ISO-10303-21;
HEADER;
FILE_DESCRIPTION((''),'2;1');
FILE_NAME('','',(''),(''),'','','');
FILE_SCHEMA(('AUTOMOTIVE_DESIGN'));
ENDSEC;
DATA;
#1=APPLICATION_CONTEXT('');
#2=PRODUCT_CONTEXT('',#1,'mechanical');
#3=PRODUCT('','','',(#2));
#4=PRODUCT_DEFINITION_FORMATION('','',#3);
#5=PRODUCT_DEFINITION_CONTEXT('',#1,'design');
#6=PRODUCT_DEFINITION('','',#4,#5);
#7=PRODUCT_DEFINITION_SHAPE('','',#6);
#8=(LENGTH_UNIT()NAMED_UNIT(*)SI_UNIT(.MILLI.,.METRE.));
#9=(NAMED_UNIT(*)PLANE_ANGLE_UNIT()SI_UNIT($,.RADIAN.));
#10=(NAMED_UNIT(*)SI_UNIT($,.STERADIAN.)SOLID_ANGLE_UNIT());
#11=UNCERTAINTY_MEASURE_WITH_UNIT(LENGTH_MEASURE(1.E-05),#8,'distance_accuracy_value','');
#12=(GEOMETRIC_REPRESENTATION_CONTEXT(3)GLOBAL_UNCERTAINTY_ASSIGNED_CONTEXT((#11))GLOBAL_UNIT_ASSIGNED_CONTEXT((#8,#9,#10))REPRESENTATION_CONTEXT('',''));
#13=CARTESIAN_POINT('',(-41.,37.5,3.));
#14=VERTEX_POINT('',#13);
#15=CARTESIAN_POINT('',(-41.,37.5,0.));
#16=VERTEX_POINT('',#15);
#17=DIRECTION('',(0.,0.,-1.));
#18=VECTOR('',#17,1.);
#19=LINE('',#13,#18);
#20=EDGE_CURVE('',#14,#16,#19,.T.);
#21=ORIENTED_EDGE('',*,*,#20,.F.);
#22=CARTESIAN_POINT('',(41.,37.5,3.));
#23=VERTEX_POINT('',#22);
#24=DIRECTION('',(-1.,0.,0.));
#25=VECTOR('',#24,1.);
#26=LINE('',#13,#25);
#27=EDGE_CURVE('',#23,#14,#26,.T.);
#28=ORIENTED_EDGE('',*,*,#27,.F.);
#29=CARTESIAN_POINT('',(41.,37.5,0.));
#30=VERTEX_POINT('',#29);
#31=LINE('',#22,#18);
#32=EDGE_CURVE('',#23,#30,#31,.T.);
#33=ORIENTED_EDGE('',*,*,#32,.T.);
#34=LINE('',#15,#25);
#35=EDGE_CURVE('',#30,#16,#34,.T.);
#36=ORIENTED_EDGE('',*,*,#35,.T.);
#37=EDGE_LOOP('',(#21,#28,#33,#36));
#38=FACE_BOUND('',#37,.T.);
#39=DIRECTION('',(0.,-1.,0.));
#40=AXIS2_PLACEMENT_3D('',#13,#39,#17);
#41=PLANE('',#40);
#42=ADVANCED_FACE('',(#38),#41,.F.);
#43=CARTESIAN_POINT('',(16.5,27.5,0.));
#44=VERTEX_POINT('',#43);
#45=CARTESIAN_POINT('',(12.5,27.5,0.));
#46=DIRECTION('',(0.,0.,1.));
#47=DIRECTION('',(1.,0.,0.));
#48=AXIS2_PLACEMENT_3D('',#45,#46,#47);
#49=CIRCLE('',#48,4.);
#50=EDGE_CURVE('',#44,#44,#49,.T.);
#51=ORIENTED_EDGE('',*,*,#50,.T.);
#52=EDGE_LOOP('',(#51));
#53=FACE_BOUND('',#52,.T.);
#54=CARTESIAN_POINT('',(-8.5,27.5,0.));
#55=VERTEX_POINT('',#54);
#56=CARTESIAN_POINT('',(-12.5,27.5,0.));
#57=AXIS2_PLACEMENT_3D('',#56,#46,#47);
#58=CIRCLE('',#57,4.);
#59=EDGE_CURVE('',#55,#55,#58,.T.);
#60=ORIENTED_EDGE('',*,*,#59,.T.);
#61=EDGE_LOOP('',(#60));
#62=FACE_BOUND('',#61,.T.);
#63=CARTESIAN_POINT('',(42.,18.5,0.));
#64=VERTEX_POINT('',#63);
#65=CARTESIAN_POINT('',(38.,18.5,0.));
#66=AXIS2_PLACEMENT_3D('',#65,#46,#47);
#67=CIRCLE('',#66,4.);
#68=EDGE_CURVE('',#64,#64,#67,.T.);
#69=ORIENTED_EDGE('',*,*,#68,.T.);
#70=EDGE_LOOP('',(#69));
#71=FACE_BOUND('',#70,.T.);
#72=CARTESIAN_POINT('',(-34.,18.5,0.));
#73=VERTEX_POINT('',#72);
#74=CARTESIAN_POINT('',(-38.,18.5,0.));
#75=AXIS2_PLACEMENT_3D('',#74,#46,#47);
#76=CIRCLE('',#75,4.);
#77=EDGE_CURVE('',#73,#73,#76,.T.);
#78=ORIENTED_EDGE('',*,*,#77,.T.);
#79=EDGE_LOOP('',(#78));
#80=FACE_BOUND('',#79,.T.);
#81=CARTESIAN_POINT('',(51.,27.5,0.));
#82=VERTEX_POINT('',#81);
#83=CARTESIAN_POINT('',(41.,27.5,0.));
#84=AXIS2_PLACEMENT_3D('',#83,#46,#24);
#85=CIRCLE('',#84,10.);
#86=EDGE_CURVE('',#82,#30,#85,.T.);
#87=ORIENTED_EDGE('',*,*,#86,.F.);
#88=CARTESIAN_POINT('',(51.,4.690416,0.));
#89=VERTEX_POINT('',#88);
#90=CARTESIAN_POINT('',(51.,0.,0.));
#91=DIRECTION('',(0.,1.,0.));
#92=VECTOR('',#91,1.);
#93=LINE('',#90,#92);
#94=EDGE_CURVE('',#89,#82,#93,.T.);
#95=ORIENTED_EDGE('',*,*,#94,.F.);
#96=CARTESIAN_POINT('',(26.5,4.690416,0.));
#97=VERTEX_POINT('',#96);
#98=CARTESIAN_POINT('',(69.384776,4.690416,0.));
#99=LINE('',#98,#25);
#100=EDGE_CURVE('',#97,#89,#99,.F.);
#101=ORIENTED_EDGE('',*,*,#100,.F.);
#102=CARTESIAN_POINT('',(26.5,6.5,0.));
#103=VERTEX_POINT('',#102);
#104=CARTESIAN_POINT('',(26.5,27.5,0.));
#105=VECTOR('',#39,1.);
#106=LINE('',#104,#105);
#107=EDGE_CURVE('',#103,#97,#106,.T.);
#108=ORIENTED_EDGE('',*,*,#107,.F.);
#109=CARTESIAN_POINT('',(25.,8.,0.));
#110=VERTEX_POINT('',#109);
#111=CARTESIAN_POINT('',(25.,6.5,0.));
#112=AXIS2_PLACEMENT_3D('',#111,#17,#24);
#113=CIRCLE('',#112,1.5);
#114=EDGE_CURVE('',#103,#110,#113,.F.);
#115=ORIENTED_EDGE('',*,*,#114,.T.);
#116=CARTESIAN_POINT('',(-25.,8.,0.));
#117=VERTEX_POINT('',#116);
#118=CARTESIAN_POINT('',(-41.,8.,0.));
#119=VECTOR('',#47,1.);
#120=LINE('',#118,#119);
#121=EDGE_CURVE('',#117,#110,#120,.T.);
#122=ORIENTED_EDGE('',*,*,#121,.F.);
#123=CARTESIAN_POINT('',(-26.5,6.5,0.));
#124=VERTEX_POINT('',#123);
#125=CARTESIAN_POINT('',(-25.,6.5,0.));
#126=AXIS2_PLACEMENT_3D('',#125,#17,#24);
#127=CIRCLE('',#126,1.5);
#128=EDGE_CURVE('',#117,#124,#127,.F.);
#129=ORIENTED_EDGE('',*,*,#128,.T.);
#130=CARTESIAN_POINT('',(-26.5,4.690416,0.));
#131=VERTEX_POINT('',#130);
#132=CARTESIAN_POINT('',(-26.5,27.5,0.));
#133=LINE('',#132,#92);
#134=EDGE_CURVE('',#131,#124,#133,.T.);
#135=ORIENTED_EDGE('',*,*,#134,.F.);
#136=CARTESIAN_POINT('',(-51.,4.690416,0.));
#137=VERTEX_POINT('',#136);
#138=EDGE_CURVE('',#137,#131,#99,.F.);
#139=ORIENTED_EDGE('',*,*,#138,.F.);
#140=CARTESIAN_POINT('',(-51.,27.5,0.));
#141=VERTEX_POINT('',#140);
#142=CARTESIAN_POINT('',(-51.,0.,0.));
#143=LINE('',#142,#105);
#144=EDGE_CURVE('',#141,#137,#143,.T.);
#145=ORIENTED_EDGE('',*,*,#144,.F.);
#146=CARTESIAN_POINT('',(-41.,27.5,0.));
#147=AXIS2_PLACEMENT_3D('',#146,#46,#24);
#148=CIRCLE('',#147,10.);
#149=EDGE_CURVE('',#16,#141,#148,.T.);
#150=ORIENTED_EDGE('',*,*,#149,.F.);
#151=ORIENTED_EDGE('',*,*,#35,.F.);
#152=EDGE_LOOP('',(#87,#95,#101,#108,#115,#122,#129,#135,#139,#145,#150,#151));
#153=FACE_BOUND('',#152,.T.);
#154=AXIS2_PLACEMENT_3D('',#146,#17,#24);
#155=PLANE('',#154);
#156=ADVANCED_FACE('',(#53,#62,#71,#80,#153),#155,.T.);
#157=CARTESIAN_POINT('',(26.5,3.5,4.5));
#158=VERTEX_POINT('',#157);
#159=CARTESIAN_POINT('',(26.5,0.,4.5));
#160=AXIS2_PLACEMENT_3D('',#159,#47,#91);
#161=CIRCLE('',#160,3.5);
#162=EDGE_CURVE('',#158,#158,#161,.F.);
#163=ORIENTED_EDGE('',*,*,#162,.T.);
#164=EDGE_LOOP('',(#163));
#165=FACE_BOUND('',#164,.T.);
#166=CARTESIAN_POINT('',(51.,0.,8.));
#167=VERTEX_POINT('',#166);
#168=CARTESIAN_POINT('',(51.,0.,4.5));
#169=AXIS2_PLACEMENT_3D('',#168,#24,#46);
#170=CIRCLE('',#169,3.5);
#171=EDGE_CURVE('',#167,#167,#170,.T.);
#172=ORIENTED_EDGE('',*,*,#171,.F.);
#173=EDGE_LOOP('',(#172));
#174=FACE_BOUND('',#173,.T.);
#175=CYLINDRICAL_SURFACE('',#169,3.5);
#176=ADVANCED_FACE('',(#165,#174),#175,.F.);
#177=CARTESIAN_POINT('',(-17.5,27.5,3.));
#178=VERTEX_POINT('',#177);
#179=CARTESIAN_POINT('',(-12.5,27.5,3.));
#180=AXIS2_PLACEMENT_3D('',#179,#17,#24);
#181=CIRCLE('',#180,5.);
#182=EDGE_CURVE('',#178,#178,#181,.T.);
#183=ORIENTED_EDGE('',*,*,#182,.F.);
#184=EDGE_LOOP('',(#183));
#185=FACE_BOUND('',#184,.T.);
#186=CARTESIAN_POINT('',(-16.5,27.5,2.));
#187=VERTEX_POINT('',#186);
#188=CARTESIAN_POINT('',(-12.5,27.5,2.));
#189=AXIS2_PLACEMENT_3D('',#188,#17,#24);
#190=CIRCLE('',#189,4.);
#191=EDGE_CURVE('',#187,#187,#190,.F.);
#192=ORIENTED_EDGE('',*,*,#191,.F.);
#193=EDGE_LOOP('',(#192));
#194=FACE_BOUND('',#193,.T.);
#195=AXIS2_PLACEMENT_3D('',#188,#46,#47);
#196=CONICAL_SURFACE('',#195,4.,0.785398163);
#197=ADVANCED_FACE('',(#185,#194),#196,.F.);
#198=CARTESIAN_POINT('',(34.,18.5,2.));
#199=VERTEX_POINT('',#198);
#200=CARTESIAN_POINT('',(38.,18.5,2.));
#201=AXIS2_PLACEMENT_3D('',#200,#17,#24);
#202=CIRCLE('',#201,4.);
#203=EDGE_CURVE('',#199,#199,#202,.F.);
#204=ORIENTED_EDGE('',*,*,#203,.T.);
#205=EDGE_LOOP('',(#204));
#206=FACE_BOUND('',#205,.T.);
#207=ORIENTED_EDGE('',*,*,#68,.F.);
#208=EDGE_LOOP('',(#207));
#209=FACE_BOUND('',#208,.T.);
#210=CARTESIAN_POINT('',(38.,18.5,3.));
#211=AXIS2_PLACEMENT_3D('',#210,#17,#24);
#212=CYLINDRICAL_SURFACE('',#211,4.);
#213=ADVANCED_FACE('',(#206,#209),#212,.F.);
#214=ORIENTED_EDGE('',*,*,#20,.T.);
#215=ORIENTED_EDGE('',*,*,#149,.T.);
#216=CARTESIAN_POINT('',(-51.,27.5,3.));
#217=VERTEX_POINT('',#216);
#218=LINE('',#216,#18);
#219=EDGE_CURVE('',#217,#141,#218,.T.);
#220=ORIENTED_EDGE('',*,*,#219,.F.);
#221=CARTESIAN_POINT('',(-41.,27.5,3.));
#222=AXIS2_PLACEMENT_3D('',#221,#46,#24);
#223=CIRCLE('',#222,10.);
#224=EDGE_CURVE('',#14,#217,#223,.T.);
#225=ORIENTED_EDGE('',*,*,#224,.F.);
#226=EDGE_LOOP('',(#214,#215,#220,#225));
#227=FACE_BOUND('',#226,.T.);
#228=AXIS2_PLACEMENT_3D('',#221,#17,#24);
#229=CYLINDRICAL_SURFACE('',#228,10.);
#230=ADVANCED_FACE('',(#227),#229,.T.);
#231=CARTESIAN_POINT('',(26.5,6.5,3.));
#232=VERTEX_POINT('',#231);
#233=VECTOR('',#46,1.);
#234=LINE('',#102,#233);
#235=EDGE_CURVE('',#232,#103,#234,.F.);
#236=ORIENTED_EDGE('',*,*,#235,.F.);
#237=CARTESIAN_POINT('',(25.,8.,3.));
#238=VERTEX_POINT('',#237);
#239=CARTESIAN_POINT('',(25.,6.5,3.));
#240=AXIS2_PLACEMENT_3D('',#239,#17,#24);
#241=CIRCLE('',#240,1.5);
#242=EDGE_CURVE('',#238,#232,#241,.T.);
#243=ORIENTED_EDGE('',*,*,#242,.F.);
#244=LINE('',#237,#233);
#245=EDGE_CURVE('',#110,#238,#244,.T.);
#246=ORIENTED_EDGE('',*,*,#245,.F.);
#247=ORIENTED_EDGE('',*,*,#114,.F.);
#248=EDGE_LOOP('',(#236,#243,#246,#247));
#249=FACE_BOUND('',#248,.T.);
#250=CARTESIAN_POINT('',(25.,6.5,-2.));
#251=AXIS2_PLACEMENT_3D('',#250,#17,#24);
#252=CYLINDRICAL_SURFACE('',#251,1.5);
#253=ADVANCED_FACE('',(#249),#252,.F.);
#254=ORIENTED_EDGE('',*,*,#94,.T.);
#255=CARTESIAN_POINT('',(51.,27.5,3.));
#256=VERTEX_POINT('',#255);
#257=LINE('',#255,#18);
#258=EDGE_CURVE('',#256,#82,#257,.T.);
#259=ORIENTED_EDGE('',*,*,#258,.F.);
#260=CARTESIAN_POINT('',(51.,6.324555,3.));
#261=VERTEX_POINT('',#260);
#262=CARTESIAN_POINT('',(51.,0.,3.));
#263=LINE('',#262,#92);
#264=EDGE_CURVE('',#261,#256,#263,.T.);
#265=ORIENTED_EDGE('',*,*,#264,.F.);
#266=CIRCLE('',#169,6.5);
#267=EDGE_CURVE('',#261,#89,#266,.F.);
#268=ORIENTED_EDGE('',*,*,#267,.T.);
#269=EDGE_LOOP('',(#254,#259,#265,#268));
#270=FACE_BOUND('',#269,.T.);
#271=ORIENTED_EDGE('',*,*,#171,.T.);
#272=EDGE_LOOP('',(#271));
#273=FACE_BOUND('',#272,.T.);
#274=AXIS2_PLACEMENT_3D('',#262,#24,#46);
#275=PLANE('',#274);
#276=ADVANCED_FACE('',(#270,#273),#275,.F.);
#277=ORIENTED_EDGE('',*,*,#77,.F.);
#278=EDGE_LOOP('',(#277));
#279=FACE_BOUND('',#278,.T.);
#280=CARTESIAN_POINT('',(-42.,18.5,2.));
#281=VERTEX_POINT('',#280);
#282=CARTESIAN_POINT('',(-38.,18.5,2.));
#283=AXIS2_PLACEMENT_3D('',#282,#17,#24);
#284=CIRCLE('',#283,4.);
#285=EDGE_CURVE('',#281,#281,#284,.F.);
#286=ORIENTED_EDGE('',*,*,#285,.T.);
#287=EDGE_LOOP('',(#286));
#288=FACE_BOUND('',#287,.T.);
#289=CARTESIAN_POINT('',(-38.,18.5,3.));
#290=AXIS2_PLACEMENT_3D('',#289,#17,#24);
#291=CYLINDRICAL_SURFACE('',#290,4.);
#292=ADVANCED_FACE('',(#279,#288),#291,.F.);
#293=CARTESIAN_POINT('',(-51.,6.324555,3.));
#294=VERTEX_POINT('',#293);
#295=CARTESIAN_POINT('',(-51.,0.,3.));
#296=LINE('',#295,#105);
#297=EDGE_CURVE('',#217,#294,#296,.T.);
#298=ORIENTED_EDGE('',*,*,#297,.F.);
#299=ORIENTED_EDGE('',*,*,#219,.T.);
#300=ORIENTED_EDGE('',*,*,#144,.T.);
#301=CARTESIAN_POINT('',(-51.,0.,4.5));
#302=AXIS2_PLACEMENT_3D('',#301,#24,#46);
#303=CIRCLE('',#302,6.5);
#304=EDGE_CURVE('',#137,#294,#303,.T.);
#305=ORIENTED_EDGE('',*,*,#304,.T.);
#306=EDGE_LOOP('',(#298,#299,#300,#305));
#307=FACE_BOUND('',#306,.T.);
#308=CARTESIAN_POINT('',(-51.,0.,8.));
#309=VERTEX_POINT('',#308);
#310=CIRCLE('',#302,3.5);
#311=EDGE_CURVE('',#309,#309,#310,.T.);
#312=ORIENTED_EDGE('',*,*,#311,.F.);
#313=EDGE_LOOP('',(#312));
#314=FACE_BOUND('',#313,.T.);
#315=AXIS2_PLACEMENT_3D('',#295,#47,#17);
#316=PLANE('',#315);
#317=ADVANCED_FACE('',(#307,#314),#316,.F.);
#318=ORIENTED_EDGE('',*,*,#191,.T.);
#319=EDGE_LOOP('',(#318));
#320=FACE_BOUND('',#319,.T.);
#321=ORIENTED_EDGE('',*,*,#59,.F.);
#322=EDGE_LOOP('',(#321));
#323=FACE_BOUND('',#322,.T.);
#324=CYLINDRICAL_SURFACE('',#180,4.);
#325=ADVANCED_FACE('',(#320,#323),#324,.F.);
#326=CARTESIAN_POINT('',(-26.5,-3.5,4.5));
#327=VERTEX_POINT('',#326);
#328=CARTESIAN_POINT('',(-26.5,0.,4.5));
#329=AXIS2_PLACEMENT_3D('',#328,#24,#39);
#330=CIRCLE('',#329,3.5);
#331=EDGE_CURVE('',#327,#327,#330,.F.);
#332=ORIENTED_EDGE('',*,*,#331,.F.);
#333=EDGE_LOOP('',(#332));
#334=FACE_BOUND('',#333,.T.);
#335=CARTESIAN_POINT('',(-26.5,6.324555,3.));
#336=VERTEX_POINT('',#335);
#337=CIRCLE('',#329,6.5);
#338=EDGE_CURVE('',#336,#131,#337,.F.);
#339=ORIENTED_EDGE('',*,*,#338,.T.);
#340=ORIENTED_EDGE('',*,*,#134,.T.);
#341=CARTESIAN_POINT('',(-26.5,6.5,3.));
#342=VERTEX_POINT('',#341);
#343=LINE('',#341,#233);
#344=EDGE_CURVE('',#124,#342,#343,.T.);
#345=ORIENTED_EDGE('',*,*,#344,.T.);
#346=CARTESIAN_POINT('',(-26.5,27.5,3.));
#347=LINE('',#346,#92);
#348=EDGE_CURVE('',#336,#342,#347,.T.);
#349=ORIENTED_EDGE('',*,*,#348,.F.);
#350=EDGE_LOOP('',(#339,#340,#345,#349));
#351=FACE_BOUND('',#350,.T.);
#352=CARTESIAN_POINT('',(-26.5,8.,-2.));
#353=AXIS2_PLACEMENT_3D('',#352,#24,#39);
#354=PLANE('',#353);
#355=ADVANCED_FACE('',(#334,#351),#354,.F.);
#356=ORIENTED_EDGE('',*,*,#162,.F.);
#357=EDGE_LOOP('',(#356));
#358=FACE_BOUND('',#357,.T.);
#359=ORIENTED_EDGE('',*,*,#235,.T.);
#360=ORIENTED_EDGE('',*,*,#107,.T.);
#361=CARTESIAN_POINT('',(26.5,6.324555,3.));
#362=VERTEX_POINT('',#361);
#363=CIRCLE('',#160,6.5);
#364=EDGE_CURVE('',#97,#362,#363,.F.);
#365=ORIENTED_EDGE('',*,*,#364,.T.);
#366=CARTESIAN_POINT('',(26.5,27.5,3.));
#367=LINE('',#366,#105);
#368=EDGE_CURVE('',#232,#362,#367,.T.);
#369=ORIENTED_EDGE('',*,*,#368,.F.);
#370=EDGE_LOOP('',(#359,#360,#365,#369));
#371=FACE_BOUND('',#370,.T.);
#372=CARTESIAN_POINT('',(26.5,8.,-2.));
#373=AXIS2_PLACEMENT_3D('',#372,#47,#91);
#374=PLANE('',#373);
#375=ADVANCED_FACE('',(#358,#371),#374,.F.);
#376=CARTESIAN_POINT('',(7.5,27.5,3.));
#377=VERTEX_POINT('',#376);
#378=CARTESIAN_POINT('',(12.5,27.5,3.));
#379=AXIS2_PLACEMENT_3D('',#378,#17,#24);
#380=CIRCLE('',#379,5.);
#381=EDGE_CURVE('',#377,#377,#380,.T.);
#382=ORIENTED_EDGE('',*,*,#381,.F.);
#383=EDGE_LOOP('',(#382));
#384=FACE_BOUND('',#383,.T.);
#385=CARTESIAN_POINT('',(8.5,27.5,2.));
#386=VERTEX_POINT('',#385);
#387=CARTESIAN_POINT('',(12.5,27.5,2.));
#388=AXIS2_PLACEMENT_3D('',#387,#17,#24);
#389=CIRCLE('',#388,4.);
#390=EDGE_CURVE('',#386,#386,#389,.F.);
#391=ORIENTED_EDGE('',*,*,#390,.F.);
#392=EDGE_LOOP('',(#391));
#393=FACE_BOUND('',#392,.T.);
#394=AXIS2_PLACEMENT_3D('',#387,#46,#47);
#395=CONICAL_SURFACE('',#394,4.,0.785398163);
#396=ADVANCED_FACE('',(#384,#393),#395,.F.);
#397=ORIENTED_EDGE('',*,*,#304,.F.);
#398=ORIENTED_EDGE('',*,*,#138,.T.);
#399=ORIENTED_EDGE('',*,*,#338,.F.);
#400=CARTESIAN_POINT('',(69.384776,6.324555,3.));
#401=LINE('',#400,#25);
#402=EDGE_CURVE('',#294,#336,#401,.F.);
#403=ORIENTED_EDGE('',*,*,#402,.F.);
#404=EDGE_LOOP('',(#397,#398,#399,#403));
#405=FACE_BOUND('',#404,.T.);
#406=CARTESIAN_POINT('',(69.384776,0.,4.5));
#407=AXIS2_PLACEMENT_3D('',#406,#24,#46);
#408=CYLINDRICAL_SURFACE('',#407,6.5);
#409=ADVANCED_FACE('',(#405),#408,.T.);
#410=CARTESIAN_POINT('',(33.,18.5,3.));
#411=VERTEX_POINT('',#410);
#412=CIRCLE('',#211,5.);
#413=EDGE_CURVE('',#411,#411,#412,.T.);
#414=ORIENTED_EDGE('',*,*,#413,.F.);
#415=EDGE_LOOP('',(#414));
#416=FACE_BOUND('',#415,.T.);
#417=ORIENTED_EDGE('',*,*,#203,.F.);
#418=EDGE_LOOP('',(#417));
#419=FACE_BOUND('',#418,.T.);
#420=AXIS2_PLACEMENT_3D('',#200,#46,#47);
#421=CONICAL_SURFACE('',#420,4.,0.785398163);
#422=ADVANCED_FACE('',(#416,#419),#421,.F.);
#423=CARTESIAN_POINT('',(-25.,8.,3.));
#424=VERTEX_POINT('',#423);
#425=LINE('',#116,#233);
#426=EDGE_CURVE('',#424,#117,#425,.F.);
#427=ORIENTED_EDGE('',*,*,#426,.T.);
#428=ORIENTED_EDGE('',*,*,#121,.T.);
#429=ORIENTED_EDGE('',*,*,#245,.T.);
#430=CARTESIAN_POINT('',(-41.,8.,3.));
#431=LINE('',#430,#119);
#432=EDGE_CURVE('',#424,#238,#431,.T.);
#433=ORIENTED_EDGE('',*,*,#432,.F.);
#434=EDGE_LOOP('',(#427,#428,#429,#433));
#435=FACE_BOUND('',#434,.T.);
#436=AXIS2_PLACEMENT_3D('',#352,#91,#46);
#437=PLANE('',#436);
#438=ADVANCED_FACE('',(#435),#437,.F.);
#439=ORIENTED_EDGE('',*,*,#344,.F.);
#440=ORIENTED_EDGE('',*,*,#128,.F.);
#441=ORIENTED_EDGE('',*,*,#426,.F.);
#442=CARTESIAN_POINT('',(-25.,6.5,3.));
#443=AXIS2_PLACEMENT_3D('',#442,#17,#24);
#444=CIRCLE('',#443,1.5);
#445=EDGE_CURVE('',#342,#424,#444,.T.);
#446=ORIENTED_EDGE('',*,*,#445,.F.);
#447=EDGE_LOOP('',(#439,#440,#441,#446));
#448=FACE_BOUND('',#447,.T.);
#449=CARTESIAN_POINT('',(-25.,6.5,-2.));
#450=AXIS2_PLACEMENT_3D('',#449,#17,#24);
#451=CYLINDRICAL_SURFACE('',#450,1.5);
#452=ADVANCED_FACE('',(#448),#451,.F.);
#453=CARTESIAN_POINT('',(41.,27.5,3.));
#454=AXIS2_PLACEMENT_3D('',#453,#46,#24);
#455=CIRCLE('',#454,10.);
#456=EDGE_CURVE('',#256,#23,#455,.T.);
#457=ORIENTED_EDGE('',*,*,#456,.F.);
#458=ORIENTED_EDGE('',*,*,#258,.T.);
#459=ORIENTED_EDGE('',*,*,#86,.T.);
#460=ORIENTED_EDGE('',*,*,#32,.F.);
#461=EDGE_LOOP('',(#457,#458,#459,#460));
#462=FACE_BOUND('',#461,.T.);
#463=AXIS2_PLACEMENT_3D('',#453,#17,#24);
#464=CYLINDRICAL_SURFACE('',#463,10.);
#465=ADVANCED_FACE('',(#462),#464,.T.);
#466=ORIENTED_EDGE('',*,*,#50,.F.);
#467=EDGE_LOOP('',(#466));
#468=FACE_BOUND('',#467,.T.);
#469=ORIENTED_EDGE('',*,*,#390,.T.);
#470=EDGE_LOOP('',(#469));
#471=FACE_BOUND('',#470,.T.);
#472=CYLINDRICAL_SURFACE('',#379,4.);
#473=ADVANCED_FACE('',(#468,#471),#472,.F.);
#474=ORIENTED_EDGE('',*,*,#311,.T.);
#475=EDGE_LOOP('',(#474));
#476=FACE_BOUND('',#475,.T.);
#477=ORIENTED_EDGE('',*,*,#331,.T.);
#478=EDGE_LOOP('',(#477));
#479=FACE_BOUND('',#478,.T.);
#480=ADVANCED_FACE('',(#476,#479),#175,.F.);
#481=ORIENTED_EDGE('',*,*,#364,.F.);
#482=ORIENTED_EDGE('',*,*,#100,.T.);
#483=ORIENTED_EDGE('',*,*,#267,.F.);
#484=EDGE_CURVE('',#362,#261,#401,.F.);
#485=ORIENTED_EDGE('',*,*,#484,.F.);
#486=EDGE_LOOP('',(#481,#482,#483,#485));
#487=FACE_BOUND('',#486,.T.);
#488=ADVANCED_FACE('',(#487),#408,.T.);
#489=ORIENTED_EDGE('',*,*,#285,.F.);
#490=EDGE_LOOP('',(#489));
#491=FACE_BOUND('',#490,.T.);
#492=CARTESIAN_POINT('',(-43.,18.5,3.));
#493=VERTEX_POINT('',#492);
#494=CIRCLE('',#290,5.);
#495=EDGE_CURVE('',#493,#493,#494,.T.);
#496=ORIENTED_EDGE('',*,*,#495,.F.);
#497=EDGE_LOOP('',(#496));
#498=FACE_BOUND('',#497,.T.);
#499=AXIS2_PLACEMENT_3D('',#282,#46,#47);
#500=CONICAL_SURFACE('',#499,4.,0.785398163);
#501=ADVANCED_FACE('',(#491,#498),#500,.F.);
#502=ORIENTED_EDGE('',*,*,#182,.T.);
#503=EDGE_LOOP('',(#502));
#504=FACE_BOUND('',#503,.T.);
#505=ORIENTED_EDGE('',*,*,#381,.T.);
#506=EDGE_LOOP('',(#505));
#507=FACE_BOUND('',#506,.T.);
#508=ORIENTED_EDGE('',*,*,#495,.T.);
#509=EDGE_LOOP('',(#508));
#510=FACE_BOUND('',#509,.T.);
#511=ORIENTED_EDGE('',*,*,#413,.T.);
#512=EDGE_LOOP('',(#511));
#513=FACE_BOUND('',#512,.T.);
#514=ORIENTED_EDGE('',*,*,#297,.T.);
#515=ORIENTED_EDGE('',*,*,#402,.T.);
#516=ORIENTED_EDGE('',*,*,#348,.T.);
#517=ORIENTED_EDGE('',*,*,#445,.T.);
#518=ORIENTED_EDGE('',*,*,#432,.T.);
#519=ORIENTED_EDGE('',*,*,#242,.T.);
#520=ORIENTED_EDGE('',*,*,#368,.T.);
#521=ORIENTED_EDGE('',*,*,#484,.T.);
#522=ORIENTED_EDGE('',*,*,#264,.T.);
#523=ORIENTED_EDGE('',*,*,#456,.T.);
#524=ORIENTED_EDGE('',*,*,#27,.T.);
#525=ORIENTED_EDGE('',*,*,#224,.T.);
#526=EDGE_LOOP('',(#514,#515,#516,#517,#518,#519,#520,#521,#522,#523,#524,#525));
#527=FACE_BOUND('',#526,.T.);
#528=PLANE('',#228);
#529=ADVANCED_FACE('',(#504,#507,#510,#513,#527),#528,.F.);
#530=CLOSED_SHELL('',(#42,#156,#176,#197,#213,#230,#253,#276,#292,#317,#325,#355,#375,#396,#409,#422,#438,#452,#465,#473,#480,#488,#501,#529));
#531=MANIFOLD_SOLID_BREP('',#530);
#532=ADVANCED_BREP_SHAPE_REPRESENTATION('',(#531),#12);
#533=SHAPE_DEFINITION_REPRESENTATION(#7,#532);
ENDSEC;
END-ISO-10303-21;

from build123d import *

# Parameters (mm, degrees)
SKETCH1_R               = 4
BOSS_EXTRUDE1_DEPTH     = 3
SKETCH2_R               = 6.5
BOSS_EXTRUDE2_DEPTH     = 102
SKETCH3_R               = 3.5
CUT_EXTRUDE1_DEPTH      = 110.230261375
CUT_EXTRUDE2_DEPTH      = 64.806347647
CUT_EXTRUDE2_DEPTH_BACK = 64.806347647
SKETCH4_W               = 53
SKETCH4_H               = 14.5
FILLET1_R               = 1.5
CHAMFER1_SIZE           = 1


with BuildPart() as part:
    # Sketch1 → Boss-Extrude1 (new body)
    with BuildSketch(Plane.XY):
        with BuildLine():
            Line((-51, 0), (51, 0))
            Line((51, 0), (51, 27.5))
            ThreePointArc((51, 27.5), (48.071067812, 34.571067812), (41, 37.5))
            Line((41, 37.5), (-41, 37.5))
            ThreePointArc((-41, 37.5), (-48.071067812, 34.571067812), (-51, 27.5))
            Line((-51, 27.5), (-51, 0))
        make_face()
        with Locations((-38, 18.5)):
            Circle(SKETCH1_R, mode=Mode.SUBTRACT)
        with Locations((38, 18.5)):
            Circle(SKETCH1_R, mode=Mode.SUBTRACT)
        with Locations((-12.5, 27.5)):
            Circle(SKETCH1_R, mode=Mode.SUBTRACT)
        with Locations((12.5, 27.5)):
            Circle(SKETCH1_R, mode=Mode.SUBTRACT)
    extrude(amount=BOSS_EXTRUDE1_DEPTH)

    # Sketch2 → Boss-Extrude2 (add)
    with BuildSketch(Plane.ZY.offset(51)):
        with Locations((4.5, 0)):
            Circle(SKETCH2_R)
    extrude(amount=-BOSS_EXTRUDE2_DEPTH)

    # Sketch3 → Cut-Extrude1 (cut, through all)
    with BuildSketch(Plane.ZY.offset(51)):
        with Locations((4.5, 0)):
            Circle(SKETCH3_R)
    extrude(amount=-CUT_EXTRUDE1_DEPTH, mode=Mode.SUBTRACT)

    # Sketch4 → Cut-Extrude2 (cut, two sides: drawn at the far end of the back side and taken through both)
    with BuildSketch(Plane.XY.offset(3).offset(-CUT_EXTRUDE2_DEPTH_BACK)):
        with Locations((0, 0.75)):
            Rectangle(SKETCH4_W, SKETCH4_H)
    extrude(amount=CUT_EXTRUDE2_DEPTH + CUT_EXTRUDE2_DEPTH_BACK, mode=Mode.SUBTRACT)

    # Fillet1
    fillet1_edges = [part.edges().sort_by_distance(p)[0] for p in [
        (-26.5, 8, 1.5),
        (26.5, 8, 1.5),
    ]]
    fillet(fillet1_edges, radius=FILLET1_R)

    # Chamfer1
    chamfer1_edges = [part.edges().sort_by_distance(p)[0] for p in [
        (-42, 18.5, 3),
        (34, 18.5, 3),
        (-16.5, 27.5, 3),
        (8.5, 27.5, 3),
    ]]
    chamfer(chamfer1_edges, length=CHAMFER1_SIZE)


solid = part.part
